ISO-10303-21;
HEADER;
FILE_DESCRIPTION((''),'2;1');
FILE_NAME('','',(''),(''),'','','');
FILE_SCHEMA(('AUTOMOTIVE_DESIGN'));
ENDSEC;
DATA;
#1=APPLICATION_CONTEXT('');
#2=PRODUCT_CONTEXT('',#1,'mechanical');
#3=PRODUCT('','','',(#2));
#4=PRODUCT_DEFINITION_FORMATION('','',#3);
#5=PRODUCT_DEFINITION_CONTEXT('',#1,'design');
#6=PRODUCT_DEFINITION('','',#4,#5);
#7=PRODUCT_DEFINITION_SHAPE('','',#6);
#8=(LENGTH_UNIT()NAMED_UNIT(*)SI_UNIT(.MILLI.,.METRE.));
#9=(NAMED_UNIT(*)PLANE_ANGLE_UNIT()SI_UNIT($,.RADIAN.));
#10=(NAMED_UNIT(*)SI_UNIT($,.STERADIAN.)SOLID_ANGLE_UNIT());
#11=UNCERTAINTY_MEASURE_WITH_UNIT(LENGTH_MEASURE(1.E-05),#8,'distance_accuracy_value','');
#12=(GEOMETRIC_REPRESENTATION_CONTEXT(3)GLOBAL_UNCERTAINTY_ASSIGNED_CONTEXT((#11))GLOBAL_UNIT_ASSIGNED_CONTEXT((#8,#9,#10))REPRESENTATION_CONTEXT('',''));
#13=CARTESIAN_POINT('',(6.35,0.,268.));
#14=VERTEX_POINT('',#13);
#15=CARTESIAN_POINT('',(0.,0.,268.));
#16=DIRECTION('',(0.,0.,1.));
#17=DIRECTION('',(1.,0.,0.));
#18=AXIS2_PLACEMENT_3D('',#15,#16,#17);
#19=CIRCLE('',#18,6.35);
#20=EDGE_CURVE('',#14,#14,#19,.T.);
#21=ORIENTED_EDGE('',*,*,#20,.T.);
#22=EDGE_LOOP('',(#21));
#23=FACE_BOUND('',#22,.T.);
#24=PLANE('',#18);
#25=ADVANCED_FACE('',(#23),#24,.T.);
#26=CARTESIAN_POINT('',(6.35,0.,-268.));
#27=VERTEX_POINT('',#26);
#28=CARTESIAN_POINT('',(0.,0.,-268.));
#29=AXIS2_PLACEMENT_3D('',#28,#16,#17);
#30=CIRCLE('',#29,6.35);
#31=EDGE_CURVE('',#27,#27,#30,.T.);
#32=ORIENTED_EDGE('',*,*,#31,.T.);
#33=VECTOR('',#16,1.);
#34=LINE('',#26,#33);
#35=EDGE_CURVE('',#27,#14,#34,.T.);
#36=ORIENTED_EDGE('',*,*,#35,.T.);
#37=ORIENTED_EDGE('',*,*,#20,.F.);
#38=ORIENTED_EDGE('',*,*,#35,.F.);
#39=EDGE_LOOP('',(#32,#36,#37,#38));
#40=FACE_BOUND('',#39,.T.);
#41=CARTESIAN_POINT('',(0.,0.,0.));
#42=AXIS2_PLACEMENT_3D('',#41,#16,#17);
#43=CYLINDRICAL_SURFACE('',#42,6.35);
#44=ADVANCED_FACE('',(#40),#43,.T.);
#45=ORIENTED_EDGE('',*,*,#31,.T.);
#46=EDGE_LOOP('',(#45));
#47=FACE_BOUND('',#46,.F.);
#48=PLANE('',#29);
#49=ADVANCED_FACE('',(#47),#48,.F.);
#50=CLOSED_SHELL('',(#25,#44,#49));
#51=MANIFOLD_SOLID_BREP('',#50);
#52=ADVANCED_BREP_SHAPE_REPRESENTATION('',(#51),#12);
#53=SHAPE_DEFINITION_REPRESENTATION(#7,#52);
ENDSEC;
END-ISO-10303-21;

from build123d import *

# Parameters (mm, degrees)
SKETCH1_R           = 6.35
BOSS_EXTRUDE1_DEPTH = 268


with BuildPart() as part:
    # Sketch1 → Boss-Extrude1 (new body, symmetric)
    with BuildSketch(Plane.XY):
        Circle(SKETCH1_R)
    extrude(amount=BOSS_EXTRUDE1_DEPTH, both=True)


solid = part.part
